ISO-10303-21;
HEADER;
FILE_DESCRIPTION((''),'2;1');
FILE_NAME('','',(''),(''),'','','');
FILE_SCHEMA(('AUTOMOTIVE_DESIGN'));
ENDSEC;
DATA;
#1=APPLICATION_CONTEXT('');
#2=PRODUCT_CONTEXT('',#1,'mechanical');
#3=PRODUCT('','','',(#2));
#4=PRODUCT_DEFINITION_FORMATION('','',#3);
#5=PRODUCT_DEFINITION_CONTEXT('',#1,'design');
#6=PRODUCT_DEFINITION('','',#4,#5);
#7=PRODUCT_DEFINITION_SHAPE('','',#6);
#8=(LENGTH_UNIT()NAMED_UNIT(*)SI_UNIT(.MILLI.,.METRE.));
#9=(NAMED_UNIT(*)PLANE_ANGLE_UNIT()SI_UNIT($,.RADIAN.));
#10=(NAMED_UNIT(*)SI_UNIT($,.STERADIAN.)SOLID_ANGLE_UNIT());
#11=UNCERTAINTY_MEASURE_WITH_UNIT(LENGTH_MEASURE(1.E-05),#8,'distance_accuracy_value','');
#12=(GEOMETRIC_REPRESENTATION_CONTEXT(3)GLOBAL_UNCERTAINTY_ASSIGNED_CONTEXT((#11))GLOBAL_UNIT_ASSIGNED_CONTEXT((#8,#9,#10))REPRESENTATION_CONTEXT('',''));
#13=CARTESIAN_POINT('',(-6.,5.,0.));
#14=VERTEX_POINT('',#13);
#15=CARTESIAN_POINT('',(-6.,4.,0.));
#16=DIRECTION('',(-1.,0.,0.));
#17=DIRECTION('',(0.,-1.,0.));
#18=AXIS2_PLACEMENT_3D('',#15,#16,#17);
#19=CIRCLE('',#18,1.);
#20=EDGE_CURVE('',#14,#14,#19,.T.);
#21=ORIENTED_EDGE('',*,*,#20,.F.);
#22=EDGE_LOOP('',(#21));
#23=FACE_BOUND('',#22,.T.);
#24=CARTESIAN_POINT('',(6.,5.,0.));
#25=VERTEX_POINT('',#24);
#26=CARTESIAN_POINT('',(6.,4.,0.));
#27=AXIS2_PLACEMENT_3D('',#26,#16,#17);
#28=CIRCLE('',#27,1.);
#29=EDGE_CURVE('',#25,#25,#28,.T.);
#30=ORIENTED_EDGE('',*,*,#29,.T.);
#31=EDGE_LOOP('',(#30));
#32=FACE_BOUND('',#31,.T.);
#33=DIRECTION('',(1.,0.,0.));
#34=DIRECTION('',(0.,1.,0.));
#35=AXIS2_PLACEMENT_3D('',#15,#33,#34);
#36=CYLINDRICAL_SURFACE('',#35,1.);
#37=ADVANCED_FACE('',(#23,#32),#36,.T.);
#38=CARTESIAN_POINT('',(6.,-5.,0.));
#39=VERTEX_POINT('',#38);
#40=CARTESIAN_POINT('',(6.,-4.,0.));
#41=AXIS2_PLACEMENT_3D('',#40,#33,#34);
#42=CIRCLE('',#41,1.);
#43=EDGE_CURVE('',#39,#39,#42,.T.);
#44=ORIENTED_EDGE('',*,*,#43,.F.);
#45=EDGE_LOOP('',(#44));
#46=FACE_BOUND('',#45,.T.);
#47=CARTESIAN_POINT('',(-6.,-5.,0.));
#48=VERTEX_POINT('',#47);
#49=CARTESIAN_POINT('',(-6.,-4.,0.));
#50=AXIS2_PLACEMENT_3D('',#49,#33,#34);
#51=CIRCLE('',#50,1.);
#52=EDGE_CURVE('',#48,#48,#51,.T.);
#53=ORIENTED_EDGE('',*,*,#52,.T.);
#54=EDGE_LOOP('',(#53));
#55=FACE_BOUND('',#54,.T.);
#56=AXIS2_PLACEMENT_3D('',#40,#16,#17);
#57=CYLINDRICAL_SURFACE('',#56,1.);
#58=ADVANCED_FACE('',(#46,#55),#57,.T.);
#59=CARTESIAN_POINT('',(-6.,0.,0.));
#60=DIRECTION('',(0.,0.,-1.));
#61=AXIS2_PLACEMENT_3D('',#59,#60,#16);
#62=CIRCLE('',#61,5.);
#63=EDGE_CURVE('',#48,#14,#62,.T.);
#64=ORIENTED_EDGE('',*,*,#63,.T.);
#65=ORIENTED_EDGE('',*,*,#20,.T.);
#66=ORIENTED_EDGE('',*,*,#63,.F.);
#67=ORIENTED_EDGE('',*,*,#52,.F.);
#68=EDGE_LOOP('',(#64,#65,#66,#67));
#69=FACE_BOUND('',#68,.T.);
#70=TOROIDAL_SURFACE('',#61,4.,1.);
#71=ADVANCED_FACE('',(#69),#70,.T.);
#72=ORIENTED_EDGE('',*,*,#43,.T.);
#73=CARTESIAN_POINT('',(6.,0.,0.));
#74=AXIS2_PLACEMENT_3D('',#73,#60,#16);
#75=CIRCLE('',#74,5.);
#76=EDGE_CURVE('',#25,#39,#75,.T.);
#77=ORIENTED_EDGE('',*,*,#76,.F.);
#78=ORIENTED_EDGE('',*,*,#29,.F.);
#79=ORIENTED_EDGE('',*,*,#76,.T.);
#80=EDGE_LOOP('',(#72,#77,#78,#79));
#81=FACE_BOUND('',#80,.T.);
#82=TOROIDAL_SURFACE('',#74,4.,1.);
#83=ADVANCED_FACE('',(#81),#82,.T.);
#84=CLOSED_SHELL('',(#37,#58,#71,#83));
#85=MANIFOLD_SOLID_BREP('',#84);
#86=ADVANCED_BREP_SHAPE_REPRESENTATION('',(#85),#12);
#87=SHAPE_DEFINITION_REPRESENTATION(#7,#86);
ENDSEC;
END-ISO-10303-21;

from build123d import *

# Parameters (mm, degrees)
SWEEP_1_PROFILE_R = 1


with BuildPart() as part:
    # 扫描1: sweep along a path in 草图1
    with BuildLine(Plane.XY) as sweep_1_path:
        Line((-6, -4), (6, -4))
        ThreePointArc((6, -4), (10, 0), (6, 4))
        Line((6, 4), (-6, 4))
        ThreePointArc((-6, 4), (-10, 0), (-6, -4))
    # 扫描1 profile (on start of the path) → 扫描1 (sweep)
    with BuildSketch(Plane(origin=(-6, -4, 0), x_dir=(0, 1, 0), z_dir=(1, 0, 0))):
        Circle(SWEEP_1_PROFILE_R)
    sweep(path=sweep_1_path.line)


solid = part.part
